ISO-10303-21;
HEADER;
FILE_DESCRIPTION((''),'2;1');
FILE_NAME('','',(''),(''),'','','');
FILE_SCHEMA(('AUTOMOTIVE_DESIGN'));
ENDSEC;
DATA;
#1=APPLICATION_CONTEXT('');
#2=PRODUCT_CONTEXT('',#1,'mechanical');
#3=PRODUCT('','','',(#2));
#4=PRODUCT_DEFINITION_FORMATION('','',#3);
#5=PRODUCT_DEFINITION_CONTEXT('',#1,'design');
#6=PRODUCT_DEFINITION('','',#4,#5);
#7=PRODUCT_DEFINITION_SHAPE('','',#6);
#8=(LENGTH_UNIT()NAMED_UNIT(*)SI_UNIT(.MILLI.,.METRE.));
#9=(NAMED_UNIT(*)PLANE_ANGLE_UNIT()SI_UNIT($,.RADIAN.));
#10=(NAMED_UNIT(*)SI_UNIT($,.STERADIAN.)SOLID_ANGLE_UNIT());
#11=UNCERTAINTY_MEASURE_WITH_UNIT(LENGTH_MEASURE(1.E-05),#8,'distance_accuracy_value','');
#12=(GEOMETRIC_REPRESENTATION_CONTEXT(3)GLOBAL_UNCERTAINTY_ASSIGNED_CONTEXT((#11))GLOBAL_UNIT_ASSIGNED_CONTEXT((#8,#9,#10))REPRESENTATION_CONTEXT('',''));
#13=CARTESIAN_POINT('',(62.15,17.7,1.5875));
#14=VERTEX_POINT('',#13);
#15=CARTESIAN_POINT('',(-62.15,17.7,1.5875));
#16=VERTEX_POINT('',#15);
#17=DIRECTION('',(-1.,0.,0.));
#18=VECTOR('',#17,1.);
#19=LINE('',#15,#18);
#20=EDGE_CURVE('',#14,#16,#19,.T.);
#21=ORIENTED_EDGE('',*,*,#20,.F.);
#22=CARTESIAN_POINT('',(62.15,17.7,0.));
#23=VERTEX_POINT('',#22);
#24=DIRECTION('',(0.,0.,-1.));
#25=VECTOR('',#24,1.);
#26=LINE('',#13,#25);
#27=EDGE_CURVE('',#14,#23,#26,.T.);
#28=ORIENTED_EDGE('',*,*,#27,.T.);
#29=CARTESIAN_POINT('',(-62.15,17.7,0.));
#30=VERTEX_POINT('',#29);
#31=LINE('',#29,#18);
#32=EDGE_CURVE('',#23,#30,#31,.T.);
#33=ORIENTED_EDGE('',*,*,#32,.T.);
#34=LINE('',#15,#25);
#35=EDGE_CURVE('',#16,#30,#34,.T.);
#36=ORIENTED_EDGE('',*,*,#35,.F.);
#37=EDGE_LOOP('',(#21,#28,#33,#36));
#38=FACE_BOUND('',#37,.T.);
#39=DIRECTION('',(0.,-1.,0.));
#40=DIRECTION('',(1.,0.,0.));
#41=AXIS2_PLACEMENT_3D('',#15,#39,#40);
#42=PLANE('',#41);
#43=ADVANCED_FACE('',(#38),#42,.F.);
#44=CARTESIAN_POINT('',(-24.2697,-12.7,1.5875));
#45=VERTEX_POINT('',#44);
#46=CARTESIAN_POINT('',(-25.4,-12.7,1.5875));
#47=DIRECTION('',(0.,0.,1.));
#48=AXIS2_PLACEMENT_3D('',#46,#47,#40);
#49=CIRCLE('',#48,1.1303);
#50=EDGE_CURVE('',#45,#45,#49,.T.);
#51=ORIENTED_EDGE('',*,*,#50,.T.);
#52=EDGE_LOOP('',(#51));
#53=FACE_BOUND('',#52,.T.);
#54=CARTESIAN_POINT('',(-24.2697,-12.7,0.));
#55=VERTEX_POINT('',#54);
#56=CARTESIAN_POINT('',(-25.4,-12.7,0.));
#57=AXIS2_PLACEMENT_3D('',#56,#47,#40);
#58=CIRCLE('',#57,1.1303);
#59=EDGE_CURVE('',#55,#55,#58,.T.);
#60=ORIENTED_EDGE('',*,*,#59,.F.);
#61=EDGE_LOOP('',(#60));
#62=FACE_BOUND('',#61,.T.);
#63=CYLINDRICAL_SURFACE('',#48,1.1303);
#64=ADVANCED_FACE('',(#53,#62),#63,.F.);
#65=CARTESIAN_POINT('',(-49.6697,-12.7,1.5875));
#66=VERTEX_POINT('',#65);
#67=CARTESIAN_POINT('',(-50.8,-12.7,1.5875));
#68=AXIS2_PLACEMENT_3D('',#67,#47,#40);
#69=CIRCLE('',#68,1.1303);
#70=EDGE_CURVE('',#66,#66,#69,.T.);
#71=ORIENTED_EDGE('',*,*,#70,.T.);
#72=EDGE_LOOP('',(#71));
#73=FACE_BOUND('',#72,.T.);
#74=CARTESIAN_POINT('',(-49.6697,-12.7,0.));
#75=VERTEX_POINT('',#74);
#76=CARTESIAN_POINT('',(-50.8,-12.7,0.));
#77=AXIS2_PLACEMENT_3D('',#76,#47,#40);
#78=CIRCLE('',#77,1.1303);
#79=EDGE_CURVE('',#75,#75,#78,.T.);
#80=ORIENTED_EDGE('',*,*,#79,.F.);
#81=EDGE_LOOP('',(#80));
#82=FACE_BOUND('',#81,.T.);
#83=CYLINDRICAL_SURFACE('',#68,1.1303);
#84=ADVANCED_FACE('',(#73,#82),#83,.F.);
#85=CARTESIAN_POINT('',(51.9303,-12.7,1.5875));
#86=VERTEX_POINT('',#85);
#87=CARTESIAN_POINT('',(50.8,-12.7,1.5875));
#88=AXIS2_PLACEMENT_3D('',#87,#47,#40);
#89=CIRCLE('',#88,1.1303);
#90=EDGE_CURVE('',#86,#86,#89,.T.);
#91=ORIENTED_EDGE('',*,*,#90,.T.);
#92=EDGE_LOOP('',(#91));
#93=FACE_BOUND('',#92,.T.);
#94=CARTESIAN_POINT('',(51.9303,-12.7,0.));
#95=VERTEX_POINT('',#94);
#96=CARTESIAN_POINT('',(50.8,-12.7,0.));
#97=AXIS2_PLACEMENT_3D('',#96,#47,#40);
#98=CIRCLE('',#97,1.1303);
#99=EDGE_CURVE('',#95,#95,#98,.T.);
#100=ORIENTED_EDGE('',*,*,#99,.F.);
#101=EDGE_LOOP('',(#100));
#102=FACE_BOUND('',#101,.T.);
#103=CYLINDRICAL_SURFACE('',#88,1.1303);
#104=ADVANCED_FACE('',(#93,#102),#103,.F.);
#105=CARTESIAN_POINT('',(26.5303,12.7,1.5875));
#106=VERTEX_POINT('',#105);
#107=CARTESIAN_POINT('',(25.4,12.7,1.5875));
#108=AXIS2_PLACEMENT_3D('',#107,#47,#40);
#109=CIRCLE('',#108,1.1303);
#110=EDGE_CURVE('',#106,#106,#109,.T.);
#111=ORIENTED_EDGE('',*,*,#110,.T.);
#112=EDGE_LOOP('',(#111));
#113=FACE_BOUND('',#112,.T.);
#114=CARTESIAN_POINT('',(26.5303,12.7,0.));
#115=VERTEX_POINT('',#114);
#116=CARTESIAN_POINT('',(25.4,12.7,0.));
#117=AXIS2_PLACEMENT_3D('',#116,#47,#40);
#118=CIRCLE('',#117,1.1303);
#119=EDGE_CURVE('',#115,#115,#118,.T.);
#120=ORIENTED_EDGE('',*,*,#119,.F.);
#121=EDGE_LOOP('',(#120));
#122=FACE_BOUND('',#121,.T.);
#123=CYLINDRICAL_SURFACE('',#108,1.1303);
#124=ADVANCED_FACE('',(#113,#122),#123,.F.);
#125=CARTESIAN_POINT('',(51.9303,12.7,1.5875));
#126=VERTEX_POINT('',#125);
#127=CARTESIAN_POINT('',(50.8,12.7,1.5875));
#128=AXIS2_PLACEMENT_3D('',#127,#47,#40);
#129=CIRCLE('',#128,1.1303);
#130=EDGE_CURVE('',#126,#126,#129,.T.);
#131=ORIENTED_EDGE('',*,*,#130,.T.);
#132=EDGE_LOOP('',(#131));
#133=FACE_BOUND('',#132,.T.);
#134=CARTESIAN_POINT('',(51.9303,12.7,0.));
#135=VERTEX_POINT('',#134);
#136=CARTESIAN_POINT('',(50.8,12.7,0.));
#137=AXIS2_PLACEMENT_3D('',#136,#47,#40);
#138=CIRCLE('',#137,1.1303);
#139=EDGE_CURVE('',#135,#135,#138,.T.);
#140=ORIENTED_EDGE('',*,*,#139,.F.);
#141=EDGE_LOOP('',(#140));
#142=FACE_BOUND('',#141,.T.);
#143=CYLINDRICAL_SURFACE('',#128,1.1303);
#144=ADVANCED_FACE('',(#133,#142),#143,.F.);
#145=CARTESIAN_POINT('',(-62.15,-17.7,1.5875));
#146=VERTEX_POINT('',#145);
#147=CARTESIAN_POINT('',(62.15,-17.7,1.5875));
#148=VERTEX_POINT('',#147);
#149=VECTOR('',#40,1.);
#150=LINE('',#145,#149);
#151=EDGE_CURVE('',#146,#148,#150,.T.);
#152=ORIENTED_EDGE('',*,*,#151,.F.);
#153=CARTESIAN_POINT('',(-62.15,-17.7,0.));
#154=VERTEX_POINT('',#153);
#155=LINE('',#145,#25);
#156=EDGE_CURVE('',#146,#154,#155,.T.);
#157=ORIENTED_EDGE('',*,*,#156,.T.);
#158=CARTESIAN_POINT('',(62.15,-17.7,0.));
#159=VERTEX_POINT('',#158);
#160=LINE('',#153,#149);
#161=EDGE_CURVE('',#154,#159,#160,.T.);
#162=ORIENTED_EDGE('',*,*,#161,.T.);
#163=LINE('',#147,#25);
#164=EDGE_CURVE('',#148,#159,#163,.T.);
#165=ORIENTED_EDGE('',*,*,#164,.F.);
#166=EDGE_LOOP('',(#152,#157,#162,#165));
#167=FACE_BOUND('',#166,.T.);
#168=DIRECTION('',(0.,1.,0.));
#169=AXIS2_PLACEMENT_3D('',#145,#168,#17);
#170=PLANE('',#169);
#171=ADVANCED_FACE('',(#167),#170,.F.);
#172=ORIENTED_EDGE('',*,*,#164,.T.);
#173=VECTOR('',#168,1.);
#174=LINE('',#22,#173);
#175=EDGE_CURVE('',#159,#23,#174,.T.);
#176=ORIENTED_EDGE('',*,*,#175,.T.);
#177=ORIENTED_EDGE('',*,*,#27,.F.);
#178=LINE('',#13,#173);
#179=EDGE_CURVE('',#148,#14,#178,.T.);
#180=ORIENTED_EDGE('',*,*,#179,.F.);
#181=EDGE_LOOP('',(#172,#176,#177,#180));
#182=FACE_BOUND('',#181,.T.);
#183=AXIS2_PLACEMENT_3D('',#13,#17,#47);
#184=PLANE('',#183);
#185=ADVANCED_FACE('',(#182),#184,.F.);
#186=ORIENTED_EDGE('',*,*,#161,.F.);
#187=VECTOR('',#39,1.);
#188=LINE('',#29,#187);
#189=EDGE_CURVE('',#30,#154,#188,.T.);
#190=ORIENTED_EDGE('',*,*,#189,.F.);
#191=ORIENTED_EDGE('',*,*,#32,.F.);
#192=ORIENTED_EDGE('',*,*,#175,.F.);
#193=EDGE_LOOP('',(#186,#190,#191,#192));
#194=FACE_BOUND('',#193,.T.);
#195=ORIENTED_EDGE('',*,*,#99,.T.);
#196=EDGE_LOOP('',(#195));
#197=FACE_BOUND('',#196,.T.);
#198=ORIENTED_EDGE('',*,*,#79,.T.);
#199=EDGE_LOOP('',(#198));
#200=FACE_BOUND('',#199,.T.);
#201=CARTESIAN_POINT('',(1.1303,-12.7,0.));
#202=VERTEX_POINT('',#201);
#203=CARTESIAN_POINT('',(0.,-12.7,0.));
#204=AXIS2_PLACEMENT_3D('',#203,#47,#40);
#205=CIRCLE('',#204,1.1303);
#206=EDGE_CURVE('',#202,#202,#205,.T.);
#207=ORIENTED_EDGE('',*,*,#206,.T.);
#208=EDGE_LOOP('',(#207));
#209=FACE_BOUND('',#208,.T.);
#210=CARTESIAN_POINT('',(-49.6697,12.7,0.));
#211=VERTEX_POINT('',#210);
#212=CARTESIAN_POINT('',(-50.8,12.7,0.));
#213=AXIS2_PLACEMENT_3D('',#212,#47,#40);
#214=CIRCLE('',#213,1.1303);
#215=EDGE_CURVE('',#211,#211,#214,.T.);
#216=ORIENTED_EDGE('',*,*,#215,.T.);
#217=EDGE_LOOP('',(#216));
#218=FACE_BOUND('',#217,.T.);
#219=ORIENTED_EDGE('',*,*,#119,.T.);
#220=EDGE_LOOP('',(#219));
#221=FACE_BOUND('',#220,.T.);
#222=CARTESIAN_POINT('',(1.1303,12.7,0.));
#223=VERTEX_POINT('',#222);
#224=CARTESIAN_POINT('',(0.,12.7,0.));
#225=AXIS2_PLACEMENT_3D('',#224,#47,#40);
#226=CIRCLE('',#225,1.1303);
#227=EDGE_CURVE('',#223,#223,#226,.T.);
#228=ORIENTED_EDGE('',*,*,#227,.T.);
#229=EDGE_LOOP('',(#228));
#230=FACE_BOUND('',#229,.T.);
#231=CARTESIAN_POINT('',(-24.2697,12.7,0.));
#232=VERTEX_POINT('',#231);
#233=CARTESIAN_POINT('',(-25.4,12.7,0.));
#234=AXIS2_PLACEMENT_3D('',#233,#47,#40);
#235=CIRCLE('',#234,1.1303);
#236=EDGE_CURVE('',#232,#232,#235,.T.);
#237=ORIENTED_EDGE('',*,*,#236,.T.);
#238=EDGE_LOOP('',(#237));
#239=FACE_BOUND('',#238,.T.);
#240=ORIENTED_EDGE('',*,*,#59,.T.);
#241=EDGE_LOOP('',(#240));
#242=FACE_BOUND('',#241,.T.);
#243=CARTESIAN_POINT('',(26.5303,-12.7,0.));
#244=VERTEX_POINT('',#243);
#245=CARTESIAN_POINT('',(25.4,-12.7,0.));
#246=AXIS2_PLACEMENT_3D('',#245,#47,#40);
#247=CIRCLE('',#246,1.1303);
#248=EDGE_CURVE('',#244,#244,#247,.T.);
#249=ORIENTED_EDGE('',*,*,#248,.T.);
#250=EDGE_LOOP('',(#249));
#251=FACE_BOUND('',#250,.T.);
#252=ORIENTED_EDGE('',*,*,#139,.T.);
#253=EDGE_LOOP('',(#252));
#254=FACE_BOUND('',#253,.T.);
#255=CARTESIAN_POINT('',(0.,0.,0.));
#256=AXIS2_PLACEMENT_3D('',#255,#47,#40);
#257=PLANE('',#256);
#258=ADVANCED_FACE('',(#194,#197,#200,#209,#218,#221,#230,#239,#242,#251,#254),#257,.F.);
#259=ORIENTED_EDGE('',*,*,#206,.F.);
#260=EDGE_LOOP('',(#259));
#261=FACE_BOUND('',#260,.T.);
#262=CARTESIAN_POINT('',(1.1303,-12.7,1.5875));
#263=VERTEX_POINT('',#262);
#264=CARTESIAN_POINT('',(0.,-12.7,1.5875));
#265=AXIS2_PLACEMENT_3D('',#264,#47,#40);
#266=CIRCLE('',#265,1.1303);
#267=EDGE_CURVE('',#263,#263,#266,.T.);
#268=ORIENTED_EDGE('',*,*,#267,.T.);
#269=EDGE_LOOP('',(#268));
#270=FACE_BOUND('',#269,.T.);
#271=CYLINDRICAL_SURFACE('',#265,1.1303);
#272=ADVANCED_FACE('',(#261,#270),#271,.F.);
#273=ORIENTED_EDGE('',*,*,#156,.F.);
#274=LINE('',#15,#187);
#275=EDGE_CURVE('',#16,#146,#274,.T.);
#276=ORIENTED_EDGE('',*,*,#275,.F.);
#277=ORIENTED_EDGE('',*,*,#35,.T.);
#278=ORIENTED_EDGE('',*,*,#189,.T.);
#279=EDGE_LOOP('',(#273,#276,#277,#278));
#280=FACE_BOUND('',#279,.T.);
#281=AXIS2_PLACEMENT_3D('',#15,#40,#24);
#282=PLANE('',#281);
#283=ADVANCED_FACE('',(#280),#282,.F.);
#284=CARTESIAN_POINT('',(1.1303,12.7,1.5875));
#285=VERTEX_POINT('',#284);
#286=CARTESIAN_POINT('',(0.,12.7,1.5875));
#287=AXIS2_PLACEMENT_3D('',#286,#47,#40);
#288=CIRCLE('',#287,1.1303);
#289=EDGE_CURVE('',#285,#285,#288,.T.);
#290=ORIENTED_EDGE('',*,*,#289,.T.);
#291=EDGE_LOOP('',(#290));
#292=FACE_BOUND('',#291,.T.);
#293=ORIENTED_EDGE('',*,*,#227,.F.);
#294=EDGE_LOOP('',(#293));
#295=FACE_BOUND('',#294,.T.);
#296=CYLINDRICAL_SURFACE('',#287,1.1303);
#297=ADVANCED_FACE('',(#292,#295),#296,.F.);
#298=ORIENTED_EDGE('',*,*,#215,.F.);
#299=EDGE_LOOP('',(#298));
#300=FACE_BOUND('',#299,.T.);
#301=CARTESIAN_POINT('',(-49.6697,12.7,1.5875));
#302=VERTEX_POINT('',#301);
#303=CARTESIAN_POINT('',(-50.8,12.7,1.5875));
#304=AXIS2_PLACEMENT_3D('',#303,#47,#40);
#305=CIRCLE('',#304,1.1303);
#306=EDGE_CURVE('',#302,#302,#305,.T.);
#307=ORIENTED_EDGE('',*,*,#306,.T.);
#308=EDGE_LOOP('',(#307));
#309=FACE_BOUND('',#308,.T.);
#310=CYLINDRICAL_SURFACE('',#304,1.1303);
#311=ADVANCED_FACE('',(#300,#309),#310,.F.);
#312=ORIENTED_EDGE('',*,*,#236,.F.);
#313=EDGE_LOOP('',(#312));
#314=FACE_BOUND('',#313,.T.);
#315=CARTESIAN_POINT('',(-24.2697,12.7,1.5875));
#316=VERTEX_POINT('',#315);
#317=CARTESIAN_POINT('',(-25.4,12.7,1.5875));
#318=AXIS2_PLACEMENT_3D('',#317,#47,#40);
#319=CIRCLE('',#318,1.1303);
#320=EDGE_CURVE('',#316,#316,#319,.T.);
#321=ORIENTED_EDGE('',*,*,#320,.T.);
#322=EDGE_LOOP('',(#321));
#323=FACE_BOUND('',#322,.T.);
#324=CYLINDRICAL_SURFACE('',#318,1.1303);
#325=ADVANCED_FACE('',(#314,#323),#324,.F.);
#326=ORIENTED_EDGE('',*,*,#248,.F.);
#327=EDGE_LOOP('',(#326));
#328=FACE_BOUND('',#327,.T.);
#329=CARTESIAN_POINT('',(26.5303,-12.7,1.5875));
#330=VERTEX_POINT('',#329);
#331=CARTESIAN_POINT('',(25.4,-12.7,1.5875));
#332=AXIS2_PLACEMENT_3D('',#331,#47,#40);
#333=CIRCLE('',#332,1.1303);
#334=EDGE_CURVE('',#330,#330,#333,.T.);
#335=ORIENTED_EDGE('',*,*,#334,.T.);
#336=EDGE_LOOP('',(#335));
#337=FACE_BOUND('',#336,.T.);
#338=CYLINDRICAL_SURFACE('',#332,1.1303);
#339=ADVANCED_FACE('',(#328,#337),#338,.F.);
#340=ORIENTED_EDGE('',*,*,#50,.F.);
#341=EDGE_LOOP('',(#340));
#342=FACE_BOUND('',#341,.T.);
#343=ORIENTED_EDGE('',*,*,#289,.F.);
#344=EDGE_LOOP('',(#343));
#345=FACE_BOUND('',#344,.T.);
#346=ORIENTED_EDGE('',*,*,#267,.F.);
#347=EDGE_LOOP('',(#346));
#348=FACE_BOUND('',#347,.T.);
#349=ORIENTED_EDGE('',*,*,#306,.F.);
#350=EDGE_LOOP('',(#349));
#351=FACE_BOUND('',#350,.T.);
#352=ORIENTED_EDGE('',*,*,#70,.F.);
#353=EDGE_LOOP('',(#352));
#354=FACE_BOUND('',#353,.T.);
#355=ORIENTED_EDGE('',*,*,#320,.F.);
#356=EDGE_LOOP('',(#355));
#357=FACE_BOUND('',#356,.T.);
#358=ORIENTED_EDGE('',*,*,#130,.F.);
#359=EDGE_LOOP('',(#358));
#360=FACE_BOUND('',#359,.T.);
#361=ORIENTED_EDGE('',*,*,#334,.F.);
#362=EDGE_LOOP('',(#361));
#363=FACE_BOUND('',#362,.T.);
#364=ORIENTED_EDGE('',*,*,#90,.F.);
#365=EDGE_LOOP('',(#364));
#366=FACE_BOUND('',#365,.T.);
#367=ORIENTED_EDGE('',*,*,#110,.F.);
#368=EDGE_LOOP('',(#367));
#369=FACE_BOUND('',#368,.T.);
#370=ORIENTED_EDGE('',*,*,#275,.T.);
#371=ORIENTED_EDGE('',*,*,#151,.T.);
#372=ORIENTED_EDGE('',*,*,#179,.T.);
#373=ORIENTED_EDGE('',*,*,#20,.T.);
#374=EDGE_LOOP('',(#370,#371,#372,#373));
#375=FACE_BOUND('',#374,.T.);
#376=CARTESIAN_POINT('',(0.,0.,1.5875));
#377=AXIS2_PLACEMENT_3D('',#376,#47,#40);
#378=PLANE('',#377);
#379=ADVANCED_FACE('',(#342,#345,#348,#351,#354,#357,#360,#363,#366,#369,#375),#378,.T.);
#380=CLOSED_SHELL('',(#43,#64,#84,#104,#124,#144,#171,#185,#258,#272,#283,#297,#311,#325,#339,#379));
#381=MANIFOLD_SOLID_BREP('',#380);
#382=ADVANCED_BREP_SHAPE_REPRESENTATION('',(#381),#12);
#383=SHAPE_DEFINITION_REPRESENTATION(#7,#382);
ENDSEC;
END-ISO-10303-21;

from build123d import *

# Parameters (mm, degrees)
SKETCH1_W             = 124.3
SKETCH1_H             = 35.4
BOSS_EXTRUDE1_DEPTH   = 1.5875
F_4_40_TAPPED_HOLE1_D = 2.2606
LPATTERN1_COUNT       = 5
LPATTERN1_PITCH       = 25.4


with BuildPart() as part:
    # Sketch1 → Boss-Extrude1 (new body)
    with BuildSketch(Plane.XY):
        Rectangle(SKETCH1_W, SKETCH1_H)
    extrude(amount=BOSS_EXTRUDE1_DEPTH)

    # #4-40 Tapped Hole1 (through all)
    with Locations(Plane(origin=(-50.8, 12.7, 1.5875), x_dir=(1, 0, 0), z_dir=(0, 0, 1))):
        with Locations((0, 0), (0, -25.4)):
            f_4_40_tapped_hole1 = Hole(F_4_40_TAPPED_HOLE1_D / 2)

    # LPattern1: #4-40 Tapped Hole1 ×5
    with Locations(*[(i * LPATTERN1_PITCH, 0, 0) for i in range(1, LPATTERN1_COUNT)]):
        add(f_4_40_tapped_hole1, mode=Mode.SUBTRACT)


solid = part.part
